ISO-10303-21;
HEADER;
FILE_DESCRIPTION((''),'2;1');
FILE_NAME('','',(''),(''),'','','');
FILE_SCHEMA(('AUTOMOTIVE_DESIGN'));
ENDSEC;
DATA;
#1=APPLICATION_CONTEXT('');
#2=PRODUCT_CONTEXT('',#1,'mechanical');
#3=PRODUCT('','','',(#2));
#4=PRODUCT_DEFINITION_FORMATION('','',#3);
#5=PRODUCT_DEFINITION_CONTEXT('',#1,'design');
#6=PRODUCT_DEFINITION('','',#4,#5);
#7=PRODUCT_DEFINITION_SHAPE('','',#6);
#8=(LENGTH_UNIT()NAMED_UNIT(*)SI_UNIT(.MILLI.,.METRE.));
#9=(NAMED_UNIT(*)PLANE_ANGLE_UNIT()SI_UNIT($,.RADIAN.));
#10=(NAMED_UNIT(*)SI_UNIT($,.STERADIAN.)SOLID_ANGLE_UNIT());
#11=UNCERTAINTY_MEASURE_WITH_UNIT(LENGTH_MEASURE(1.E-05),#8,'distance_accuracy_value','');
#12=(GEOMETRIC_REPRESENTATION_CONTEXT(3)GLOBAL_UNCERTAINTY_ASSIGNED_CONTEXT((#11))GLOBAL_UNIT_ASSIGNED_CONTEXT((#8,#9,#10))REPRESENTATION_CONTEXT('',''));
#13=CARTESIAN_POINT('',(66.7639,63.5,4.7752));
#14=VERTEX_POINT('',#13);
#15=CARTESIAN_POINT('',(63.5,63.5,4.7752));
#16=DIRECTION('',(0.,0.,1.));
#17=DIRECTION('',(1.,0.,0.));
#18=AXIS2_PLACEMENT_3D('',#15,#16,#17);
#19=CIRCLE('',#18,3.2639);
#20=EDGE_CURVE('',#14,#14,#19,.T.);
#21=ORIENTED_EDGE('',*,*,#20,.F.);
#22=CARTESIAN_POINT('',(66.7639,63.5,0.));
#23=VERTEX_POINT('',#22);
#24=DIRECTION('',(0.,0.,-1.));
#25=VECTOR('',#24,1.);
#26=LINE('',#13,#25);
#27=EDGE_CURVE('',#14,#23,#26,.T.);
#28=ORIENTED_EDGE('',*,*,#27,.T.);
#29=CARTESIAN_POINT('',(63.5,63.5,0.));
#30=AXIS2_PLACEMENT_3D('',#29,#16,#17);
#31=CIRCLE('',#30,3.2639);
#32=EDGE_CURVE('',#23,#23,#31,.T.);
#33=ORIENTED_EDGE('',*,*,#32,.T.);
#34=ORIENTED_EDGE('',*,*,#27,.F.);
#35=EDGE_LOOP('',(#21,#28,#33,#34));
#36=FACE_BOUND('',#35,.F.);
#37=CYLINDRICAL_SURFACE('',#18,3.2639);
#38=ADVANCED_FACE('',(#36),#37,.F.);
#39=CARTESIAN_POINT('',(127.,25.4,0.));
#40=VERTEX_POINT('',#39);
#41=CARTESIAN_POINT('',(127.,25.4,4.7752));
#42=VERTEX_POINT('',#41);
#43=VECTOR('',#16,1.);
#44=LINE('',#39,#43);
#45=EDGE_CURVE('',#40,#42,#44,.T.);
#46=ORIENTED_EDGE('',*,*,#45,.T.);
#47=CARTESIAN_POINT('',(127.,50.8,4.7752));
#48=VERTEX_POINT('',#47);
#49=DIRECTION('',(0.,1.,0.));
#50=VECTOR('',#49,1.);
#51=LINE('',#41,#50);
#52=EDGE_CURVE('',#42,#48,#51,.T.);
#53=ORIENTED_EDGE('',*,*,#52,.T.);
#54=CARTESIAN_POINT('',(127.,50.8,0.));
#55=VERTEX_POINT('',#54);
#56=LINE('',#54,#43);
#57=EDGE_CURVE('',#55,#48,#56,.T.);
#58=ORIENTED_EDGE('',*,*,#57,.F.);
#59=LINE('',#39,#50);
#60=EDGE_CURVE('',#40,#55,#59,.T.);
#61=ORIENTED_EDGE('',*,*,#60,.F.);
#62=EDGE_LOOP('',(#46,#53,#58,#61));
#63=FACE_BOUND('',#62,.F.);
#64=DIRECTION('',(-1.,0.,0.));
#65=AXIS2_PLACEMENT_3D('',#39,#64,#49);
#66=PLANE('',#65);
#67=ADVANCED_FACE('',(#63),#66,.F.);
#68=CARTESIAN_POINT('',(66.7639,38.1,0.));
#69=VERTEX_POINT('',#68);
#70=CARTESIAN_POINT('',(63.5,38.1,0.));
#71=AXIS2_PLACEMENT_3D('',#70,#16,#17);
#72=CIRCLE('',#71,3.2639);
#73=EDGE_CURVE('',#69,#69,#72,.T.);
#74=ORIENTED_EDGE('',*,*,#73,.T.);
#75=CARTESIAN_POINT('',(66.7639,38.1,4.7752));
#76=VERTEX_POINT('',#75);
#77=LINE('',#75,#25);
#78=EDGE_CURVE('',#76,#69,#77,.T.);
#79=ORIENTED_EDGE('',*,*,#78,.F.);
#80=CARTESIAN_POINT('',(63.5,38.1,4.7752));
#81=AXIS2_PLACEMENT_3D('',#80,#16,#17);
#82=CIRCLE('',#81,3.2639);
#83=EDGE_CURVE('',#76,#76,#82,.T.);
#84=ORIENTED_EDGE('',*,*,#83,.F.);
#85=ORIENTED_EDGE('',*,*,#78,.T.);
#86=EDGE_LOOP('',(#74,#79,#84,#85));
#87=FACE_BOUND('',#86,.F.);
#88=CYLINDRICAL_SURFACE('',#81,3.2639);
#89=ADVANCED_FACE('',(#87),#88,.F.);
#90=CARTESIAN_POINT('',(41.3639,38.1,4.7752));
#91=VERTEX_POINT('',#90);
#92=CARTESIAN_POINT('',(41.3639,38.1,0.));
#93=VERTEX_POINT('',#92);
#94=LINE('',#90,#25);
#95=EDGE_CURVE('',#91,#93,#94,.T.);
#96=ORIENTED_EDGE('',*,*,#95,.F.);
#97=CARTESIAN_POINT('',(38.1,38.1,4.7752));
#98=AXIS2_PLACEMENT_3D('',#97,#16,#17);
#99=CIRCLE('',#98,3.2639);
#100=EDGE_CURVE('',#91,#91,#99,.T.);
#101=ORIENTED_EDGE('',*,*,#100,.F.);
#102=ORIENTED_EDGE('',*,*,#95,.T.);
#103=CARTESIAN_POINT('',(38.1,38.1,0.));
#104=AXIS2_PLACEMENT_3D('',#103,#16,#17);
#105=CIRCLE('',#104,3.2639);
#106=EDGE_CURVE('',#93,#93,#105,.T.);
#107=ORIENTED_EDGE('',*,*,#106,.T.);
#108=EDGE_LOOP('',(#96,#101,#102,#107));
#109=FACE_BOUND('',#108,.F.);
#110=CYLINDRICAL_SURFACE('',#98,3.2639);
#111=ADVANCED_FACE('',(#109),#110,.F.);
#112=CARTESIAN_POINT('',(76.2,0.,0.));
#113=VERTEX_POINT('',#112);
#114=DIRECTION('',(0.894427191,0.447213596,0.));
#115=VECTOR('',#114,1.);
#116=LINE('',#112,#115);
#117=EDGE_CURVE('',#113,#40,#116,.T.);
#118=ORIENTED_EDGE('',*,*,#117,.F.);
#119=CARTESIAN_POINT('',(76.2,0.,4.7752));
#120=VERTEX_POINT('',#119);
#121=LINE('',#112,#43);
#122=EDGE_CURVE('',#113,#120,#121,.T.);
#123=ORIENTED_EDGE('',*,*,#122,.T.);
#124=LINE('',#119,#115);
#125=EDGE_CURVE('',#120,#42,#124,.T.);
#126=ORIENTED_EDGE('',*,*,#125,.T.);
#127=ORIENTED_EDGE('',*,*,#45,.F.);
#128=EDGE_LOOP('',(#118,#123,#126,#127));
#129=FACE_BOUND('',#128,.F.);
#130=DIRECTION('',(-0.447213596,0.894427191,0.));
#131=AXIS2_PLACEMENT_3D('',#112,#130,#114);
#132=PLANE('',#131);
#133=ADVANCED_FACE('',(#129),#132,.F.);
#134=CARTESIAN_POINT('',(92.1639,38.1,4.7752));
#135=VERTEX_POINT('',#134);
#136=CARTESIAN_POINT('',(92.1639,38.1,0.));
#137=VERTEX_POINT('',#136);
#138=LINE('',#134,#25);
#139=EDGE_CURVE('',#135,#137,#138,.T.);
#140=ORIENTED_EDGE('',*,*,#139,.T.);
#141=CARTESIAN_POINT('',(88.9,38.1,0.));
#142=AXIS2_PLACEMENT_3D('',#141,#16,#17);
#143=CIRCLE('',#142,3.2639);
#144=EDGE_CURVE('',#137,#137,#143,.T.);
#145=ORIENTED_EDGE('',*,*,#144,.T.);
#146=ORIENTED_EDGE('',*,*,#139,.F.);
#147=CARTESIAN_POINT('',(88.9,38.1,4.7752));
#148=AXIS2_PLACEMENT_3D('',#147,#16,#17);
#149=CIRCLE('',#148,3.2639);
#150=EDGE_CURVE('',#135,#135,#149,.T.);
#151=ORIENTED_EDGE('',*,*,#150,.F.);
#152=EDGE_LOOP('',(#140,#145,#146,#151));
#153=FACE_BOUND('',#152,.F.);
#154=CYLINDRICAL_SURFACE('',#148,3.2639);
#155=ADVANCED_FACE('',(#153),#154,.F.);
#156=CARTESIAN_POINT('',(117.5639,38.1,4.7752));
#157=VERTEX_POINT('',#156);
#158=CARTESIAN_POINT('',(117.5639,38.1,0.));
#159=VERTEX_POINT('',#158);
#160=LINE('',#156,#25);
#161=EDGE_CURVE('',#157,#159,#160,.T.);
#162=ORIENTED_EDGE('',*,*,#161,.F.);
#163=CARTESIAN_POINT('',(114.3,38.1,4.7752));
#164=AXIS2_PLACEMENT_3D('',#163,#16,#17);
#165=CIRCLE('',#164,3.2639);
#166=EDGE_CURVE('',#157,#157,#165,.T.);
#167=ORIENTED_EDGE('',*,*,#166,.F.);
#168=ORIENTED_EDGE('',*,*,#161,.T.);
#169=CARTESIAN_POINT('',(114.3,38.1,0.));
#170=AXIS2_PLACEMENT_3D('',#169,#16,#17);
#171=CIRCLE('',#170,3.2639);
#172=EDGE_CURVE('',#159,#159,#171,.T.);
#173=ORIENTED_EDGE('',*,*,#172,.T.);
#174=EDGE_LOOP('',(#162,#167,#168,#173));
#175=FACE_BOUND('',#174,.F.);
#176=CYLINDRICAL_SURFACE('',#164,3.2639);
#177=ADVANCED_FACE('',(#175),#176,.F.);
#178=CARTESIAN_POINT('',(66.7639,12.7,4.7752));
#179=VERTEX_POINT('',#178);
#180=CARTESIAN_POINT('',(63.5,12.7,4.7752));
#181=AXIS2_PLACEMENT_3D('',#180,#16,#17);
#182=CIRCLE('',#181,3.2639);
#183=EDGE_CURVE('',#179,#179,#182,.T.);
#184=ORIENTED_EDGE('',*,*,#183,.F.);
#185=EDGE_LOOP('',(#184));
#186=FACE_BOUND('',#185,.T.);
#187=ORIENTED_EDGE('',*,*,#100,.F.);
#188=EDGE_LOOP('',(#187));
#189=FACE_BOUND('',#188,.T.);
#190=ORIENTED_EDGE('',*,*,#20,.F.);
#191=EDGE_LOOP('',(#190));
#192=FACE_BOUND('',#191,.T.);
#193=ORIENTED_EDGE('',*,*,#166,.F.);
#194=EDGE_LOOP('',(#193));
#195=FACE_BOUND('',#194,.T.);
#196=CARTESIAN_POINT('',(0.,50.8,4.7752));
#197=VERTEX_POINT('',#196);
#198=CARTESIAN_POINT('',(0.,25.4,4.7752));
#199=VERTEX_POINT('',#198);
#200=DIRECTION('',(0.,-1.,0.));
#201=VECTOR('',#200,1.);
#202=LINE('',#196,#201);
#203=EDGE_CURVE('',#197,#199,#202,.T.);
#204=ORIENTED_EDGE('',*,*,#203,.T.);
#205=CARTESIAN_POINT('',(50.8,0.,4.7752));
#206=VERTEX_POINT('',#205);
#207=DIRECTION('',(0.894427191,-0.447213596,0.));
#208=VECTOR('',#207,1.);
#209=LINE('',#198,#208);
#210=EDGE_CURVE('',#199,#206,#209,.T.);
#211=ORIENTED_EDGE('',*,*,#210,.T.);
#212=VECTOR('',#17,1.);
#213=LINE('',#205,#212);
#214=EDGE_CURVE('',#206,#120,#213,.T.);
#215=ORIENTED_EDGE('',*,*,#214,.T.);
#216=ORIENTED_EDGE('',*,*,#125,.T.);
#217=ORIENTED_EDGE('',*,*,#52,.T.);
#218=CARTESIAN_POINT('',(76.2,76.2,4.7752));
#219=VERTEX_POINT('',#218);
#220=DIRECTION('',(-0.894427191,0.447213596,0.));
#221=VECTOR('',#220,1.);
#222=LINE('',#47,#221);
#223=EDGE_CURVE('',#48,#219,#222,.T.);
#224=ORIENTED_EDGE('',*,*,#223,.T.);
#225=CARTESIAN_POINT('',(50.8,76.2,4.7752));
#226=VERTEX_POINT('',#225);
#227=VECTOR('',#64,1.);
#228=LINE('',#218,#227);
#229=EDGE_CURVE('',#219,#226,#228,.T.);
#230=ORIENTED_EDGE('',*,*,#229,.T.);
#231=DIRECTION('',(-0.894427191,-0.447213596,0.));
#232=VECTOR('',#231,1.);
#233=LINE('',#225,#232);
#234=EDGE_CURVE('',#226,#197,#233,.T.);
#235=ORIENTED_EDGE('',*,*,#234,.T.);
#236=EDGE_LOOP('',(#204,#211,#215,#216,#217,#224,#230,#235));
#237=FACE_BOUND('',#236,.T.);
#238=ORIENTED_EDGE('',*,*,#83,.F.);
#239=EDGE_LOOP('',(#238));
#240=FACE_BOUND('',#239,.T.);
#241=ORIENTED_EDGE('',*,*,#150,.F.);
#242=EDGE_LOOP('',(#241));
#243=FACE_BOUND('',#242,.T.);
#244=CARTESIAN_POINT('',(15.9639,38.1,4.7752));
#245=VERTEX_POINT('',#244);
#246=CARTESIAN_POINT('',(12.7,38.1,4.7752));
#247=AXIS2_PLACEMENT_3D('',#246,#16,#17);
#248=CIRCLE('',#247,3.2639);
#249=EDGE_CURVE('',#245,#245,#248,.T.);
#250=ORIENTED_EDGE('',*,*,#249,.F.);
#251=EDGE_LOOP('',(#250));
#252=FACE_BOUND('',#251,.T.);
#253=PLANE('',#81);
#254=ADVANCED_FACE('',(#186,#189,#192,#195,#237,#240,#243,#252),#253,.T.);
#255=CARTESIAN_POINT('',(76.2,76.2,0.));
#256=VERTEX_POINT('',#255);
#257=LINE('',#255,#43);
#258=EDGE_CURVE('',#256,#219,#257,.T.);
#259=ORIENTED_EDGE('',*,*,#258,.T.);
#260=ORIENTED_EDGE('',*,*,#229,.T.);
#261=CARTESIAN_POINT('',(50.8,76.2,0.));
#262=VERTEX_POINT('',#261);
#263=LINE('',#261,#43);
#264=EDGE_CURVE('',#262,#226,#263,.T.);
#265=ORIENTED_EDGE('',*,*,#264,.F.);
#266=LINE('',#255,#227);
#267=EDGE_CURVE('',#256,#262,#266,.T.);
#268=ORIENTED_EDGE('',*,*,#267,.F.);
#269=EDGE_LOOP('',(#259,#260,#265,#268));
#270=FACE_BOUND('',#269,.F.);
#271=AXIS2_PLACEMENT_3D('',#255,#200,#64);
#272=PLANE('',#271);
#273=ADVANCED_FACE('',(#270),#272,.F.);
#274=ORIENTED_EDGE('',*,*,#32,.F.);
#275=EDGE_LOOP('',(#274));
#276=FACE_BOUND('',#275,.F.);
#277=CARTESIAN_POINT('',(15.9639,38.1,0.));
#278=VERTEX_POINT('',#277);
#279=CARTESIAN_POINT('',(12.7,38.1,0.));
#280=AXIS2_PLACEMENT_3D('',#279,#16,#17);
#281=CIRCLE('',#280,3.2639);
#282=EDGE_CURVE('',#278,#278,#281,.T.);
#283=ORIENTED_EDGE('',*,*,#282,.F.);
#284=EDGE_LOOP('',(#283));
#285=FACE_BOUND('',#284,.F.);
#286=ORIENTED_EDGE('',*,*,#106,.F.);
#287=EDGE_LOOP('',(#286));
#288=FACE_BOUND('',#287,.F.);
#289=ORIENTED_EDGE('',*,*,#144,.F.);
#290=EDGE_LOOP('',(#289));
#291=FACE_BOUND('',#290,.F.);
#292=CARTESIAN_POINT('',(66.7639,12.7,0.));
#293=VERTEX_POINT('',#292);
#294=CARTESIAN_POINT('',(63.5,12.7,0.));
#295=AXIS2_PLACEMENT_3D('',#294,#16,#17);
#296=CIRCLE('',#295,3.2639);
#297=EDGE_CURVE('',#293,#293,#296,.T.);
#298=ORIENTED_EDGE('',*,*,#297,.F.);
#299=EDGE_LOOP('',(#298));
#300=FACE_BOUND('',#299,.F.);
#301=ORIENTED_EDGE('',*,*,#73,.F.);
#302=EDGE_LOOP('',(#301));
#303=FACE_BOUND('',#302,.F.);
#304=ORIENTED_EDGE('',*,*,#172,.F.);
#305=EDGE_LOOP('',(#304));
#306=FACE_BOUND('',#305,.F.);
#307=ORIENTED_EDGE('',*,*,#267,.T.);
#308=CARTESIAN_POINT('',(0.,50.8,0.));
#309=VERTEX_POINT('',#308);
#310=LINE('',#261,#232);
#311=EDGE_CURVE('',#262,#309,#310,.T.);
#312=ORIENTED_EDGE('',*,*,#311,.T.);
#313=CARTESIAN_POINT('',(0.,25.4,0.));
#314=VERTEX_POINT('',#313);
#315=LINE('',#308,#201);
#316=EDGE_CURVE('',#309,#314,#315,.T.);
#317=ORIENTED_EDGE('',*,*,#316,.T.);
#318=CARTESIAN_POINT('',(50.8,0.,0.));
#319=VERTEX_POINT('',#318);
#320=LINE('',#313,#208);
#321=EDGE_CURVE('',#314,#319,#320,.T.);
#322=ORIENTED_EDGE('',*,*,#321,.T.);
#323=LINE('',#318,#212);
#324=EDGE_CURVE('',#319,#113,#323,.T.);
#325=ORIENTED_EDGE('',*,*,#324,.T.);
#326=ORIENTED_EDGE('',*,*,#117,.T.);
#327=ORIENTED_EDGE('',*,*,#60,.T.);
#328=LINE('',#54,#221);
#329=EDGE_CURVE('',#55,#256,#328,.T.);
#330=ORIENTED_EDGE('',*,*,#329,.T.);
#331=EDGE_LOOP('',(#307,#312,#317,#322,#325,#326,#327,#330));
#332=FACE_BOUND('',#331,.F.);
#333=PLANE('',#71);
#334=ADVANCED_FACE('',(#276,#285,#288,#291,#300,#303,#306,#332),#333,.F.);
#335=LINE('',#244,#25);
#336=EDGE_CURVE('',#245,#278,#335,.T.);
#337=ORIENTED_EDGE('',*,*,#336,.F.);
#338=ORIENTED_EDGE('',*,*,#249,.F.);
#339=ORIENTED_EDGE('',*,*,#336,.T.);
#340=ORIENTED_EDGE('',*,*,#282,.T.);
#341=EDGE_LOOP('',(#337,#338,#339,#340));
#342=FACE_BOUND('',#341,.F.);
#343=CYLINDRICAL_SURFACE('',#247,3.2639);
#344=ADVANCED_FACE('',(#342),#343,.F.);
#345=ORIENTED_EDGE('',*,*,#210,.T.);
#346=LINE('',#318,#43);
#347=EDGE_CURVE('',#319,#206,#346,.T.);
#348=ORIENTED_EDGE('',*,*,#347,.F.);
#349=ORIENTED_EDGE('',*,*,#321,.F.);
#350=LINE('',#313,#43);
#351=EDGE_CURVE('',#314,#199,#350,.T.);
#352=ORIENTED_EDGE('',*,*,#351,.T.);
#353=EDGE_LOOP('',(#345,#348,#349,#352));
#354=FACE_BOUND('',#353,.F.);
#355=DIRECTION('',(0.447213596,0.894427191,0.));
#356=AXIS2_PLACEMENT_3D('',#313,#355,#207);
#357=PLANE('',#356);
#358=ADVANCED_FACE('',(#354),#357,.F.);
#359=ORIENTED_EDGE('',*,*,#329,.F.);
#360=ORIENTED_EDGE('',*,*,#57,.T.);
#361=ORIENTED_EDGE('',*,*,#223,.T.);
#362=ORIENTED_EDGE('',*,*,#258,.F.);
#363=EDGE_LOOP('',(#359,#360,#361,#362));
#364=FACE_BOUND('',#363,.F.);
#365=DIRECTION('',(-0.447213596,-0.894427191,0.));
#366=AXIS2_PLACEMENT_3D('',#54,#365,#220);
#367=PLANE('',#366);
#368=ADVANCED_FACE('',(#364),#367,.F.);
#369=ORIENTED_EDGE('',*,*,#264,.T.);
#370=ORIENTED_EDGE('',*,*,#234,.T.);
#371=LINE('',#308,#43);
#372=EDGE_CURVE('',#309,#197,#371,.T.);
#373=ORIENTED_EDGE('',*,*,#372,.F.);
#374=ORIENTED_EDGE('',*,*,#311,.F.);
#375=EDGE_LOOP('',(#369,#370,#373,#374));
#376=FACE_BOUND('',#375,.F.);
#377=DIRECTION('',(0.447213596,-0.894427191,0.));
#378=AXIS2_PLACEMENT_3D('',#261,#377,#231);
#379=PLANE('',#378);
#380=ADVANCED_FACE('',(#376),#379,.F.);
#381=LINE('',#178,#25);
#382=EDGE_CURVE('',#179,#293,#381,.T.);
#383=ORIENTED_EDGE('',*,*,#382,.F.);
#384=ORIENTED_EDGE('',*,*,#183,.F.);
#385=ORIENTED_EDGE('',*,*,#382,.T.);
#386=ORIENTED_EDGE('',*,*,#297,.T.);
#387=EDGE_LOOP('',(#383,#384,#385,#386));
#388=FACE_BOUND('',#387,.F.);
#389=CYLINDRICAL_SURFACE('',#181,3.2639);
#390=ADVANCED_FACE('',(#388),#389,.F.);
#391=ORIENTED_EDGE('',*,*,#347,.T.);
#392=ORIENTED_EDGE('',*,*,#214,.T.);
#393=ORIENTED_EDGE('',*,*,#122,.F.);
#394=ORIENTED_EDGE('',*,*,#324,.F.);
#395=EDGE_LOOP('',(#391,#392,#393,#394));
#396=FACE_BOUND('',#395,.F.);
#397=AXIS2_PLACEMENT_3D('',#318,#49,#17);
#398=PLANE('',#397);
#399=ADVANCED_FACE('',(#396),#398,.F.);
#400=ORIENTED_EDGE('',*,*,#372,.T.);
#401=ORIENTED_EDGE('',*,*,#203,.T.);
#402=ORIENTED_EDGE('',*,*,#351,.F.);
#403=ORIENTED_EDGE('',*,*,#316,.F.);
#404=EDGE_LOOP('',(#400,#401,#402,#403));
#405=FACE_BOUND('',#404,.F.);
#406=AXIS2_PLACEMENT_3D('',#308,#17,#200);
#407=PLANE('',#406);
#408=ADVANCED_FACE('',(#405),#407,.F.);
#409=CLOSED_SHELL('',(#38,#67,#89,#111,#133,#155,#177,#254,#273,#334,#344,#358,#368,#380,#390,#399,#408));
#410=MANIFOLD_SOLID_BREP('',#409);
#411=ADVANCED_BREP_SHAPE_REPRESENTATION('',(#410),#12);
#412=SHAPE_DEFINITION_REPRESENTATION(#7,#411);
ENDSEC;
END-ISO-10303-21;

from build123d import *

# Parameters (mm, degrees)
BASE_EXTRUDE_DEPTH  = 4.7752
SKETCH2_R           = 3.2639
HOLE1_DEPTH         = 5.7752
HOLE1_PATTERN_COUNT = 5
HOLE1_PATTERN_PITCH = 25.4
SKETCH3_R           = 3.2639
HOLE2_DEPTH         = 5.7752
HOLE2_PATTERN_COUNT = 2
HOLE2_PATTERN_PITCH = 50.8


with BuildPart() as part:
    # Sketch1 → Base Extrude (new body)
    with BuildSketch(Plane.XY):
        Polygon((50.8, 0), (76.2, 0), (127, 25.4), (127, 50.8), (76.2, 76.2), (50.8, 76.2), (0, 50.8), (0, 25.4), align=None)
    extrude(amount=BASE_EXTRUDE_DEPTH)

    # Sketch2 → Hole1 (cut, through all)
    with BuildSketch(Plane.XY.offset(4.7752)):
        with Locations((12.7, 38.1)):
            Circle(SKETCH2_R)
    hole1 = extrude(amount=-HOLE1_DEPTH, mode=Mode.SUBTRACT)

    # Hole1 Pattern: Hole1 ×5
    with Locations(*[(i * HOLE1_PATTERN_PITCH, 0, 0) for i in range(1, HOLE1_PATTERN_COUNT)]):
        add(hole1, mode=Mode.SUBTRACT)

    # Sketch3 → Hole2 (cut, through all)
    with BuildSketch(Plane.XY.offset(4.7752)):
        with Locations((63.5, 12.7)):
            Circle(SKETCH3_R)
    hole2 = extrude(amount=-HOLE2_DEPTH, mode=Mode.SUBTRACT)

    # Hole2 Pattern: Hole2 ×2
    with Locations(*[(0, i * HOLE2_PATTERN_PITCH, 0) for i in range(1, HOLE2_PATTERN_COUNT)]):
        add(hole2, mode=Mode.SUBTRACT)


solid = part.part
